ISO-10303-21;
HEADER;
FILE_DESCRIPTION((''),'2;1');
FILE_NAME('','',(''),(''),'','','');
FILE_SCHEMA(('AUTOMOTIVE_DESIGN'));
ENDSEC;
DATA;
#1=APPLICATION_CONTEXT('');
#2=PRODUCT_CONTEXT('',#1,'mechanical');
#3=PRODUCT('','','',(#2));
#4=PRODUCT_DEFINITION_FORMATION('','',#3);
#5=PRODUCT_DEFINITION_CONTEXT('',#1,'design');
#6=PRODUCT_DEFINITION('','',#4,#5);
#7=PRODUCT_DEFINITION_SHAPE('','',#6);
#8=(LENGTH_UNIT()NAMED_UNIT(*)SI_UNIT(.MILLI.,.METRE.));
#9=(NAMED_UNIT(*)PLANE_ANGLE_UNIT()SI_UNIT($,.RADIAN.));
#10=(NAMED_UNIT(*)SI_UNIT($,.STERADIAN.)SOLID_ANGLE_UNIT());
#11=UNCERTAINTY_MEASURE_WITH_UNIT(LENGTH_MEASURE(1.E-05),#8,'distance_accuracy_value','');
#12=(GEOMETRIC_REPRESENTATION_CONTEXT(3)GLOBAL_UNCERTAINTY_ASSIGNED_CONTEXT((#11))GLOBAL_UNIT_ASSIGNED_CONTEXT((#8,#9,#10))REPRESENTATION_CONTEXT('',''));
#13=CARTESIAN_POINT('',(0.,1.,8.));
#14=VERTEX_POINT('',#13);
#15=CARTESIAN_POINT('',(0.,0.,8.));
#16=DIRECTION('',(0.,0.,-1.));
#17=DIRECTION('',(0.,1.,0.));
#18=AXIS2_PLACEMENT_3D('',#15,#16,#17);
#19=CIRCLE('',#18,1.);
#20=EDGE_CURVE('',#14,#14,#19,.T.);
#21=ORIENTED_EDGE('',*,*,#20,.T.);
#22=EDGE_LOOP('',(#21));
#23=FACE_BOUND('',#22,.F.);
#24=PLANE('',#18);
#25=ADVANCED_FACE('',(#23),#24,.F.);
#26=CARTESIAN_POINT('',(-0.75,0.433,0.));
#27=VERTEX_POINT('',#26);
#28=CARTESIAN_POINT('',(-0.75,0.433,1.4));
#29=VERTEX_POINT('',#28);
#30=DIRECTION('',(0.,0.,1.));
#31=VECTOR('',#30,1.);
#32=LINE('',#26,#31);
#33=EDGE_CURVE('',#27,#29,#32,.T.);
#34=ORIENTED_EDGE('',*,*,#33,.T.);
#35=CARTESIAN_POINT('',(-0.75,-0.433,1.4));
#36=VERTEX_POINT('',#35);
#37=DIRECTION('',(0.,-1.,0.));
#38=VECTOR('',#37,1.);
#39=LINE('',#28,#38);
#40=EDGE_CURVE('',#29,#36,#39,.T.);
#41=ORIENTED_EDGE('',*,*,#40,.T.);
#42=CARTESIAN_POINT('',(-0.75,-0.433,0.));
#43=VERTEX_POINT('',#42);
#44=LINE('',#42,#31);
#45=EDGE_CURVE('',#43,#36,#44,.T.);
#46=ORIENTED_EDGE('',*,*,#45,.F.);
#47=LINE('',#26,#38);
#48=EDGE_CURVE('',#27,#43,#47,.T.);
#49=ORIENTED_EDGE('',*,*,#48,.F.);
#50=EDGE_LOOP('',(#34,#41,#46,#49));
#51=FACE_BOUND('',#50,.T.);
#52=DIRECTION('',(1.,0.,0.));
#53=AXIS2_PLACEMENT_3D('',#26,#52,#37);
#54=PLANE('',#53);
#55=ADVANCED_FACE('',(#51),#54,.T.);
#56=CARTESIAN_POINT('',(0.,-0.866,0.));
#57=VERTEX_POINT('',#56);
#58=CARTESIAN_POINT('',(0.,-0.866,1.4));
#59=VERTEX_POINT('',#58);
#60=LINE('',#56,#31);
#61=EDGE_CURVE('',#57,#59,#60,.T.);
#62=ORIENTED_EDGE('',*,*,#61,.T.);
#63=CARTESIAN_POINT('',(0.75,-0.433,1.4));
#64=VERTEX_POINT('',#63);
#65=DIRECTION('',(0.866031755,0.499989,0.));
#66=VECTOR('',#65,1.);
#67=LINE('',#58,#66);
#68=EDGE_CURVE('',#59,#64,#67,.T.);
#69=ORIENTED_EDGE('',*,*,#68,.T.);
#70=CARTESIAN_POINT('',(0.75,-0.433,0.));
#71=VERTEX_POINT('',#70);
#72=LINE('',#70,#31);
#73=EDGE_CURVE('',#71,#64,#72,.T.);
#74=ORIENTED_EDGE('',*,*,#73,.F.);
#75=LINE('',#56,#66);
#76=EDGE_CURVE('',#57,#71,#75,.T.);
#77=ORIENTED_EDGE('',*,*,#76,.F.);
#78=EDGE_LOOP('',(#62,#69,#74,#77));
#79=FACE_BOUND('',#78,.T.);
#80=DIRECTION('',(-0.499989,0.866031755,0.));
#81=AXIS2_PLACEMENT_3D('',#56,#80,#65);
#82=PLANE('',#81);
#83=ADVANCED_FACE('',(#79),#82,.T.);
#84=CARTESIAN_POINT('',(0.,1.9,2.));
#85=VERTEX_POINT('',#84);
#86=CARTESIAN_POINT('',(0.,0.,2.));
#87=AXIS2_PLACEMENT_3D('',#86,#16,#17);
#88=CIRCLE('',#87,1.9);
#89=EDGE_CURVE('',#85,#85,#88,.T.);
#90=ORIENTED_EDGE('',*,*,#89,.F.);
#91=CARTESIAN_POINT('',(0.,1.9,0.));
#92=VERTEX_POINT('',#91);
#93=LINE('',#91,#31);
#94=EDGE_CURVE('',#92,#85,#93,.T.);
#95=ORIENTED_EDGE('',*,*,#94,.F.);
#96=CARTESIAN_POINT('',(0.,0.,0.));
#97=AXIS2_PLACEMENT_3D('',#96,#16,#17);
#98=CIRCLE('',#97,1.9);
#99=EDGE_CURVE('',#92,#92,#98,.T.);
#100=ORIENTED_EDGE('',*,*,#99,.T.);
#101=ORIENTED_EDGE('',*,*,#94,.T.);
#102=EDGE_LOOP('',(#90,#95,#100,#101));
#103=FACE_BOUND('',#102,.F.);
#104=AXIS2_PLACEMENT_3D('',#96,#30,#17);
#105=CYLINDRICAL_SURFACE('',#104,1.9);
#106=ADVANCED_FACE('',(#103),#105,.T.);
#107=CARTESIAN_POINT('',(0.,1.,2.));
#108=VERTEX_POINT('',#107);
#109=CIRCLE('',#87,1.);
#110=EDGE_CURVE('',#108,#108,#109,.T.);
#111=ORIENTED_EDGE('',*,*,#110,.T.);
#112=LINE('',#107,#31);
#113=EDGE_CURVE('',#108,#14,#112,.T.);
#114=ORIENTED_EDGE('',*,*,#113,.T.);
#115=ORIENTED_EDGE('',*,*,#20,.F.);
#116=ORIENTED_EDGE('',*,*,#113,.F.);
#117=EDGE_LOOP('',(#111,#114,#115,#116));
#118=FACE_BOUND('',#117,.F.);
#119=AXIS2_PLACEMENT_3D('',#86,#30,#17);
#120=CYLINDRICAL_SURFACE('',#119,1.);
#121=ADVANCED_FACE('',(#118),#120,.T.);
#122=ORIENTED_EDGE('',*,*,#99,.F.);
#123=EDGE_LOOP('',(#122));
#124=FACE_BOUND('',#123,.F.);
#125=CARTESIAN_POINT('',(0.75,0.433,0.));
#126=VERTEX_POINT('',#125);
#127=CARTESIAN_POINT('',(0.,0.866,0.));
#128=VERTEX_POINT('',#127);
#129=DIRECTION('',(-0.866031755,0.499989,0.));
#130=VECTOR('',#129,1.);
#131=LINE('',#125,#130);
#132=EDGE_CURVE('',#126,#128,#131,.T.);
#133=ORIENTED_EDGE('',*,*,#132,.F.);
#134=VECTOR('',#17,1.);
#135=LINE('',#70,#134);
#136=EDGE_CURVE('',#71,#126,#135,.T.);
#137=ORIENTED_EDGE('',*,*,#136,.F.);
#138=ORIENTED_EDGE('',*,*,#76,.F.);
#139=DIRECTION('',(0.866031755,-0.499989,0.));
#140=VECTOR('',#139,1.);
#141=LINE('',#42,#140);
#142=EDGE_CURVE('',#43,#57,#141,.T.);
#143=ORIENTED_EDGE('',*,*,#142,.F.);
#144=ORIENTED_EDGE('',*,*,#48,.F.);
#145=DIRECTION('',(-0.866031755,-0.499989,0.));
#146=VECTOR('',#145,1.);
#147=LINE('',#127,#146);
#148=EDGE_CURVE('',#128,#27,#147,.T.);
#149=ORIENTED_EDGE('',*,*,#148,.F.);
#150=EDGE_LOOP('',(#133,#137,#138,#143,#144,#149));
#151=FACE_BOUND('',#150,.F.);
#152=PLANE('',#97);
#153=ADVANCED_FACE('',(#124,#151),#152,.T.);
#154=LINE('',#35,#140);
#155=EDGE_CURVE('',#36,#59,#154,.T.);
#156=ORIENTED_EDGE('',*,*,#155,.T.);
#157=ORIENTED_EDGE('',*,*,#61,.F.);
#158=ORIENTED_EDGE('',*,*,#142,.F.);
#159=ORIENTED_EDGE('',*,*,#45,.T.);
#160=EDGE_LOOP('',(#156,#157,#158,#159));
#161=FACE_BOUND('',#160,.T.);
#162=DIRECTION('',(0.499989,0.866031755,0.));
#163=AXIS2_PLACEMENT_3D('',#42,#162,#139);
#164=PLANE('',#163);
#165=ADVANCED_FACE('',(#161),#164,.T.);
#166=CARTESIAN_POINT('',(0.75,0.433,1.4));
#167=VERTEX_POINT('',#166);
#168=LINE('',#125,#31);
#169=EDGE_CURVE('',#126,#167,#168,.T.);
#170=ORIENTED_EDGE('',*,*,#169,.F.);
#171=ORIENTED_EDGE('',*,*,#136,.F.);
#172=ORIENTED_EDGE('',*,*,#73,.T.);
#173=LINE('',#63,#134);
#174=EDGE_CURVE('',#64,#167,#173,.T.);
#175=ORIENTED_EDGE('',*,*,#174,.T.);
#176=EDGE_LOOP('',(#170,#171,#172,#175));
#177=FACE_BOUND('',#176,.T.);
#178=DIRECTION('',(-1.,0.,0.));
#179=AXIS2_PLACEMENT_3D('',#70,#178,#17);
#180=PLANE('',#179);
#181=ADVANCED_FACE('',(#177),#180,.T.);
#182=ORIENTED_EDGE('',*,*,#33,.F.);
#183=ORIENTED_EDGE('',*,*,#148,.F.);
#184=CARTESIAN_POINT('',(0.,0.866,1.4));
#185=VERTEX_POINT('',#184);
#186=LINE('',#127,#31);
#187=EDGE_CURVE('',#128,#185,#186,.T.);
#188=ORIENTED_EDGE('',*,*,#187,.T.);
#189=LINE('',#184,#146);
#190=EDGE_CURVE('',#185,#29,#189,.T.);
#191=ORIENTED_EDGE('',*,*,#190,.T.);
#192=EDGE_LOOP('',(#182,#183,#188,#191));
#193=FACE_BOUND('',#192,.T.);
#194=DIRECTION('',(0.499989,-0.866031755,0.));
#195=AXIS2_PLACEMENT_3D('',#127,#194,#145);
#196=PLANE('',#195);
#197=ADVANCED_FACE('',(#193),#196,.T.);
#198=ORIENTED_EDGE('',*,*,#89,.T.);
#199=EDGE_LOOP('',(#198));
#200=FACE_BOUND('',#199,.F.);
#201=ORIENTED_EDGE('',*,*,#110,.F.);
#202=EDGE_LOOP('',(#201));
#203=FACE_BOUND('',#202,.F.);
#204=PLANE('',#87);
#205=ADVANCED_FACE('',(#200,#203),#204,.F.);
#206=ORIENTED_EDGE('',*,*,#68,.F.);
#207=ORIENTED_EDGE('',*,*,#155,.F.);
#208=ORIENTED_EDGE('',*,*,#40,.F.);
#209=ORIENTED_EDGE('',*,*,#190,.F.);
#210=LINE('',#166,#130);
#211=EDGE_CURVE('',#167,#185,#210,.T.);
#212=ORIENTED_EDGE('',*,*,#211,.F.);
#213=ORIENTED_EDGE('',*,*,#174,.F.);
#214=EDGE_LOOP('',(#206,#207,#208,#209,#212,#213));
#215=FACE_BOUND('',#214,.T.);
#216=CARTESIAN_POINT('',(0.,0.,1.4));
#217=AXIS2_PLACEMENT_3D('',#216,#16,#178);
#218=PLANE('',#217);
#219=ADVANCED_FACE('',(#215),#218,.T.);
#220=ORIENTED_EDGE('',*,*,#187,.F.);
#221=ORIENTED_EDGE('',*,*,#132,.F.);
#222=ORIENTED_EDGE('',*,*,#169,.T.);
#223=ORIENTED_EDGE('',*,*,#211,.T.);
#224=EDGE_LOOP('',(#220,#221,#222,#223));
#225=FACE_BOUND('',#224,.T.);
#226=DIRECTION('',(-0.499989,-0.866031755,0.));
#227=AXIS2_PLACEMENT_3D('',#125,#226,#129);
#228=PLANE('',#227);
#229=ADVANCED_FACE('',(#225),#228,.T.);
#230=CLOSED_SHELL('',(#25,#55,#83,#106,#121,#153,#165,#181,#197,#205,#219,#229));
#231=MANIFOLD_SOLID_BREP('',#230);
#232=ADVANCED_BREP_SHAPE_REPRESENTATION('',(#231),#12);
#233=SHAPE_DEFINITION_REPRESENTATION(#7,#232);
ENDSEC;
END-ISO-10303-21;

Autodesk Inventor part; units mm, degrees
ref_plane "YZ Plane" through (0, 0, 0) normal (1, 0, 0) x (0, 1, 0)
ref_plane "XZ Plane" through (0, 0, 0) normal (0, 1, 0) x (-1, 0, 0)
ref_plane "XY Plane" through (0, 0, 0) normal (0, 0, 1) x (1, 0, 0)
sketch "スケッチ1" plane through (0, 0, 0) normal (1, 0, 0) x (0, 1, 0)
  line L0 (0, 8) -> (0, 0)
  line L1 (0, 0) -> (1.9, 0)
  line L2 (1.9, 0) -> (1.9, 2)
  line L3 (1.9, 2) -> (1, 2)
  line L4 (1, 2) -> (1, 8)
  line L5 (1, 8) -> (0, 8)
  dimension "d1" = 1
  dimension "d2" = 2
  dimension "d3" = 1.9
  dimension "d10" = 6
revolve "回転1" add sketch "スケッチ1" angle 360 about axis through (0, 0, 8) along (0, 0, -1)
thread "ねじ1" size "M2x0.4" class "6g" standard "ANSI Metric M Profile" full length
sketch "スケッチ2" plane through (0, 0, 0) normal (0, 0, -1) x (-1, 0, 0)
  line L0 (0, 0.866) -> (0.75, 0.433)
  line L1 (0.75, 0.433) -> (0.75, -0.433)
  line L2 (0.75, -0.433) -> (0, -0.866)
  line L3 (0, -0.866) -> (-0.75, -0.433)
  line L4 (-0.75, -0.433) -> (-0.75, 0.433)
  line L5 (-0.75, 0.433) -> (0, 0.866)
  circle A0 centre (0, 0) radius 1.9 projected
  line L6 (0, 1.9) -> (0, -1.9) construction
  dimension "d7" = 1.5
extrude "押し出し1" cut sketch "スケッチ2" against normal blind 1.4 contours L0 L1 L2 L3 L4 L5
properties part number "M2-6" material "ステンレス鋼 AISI 304"
